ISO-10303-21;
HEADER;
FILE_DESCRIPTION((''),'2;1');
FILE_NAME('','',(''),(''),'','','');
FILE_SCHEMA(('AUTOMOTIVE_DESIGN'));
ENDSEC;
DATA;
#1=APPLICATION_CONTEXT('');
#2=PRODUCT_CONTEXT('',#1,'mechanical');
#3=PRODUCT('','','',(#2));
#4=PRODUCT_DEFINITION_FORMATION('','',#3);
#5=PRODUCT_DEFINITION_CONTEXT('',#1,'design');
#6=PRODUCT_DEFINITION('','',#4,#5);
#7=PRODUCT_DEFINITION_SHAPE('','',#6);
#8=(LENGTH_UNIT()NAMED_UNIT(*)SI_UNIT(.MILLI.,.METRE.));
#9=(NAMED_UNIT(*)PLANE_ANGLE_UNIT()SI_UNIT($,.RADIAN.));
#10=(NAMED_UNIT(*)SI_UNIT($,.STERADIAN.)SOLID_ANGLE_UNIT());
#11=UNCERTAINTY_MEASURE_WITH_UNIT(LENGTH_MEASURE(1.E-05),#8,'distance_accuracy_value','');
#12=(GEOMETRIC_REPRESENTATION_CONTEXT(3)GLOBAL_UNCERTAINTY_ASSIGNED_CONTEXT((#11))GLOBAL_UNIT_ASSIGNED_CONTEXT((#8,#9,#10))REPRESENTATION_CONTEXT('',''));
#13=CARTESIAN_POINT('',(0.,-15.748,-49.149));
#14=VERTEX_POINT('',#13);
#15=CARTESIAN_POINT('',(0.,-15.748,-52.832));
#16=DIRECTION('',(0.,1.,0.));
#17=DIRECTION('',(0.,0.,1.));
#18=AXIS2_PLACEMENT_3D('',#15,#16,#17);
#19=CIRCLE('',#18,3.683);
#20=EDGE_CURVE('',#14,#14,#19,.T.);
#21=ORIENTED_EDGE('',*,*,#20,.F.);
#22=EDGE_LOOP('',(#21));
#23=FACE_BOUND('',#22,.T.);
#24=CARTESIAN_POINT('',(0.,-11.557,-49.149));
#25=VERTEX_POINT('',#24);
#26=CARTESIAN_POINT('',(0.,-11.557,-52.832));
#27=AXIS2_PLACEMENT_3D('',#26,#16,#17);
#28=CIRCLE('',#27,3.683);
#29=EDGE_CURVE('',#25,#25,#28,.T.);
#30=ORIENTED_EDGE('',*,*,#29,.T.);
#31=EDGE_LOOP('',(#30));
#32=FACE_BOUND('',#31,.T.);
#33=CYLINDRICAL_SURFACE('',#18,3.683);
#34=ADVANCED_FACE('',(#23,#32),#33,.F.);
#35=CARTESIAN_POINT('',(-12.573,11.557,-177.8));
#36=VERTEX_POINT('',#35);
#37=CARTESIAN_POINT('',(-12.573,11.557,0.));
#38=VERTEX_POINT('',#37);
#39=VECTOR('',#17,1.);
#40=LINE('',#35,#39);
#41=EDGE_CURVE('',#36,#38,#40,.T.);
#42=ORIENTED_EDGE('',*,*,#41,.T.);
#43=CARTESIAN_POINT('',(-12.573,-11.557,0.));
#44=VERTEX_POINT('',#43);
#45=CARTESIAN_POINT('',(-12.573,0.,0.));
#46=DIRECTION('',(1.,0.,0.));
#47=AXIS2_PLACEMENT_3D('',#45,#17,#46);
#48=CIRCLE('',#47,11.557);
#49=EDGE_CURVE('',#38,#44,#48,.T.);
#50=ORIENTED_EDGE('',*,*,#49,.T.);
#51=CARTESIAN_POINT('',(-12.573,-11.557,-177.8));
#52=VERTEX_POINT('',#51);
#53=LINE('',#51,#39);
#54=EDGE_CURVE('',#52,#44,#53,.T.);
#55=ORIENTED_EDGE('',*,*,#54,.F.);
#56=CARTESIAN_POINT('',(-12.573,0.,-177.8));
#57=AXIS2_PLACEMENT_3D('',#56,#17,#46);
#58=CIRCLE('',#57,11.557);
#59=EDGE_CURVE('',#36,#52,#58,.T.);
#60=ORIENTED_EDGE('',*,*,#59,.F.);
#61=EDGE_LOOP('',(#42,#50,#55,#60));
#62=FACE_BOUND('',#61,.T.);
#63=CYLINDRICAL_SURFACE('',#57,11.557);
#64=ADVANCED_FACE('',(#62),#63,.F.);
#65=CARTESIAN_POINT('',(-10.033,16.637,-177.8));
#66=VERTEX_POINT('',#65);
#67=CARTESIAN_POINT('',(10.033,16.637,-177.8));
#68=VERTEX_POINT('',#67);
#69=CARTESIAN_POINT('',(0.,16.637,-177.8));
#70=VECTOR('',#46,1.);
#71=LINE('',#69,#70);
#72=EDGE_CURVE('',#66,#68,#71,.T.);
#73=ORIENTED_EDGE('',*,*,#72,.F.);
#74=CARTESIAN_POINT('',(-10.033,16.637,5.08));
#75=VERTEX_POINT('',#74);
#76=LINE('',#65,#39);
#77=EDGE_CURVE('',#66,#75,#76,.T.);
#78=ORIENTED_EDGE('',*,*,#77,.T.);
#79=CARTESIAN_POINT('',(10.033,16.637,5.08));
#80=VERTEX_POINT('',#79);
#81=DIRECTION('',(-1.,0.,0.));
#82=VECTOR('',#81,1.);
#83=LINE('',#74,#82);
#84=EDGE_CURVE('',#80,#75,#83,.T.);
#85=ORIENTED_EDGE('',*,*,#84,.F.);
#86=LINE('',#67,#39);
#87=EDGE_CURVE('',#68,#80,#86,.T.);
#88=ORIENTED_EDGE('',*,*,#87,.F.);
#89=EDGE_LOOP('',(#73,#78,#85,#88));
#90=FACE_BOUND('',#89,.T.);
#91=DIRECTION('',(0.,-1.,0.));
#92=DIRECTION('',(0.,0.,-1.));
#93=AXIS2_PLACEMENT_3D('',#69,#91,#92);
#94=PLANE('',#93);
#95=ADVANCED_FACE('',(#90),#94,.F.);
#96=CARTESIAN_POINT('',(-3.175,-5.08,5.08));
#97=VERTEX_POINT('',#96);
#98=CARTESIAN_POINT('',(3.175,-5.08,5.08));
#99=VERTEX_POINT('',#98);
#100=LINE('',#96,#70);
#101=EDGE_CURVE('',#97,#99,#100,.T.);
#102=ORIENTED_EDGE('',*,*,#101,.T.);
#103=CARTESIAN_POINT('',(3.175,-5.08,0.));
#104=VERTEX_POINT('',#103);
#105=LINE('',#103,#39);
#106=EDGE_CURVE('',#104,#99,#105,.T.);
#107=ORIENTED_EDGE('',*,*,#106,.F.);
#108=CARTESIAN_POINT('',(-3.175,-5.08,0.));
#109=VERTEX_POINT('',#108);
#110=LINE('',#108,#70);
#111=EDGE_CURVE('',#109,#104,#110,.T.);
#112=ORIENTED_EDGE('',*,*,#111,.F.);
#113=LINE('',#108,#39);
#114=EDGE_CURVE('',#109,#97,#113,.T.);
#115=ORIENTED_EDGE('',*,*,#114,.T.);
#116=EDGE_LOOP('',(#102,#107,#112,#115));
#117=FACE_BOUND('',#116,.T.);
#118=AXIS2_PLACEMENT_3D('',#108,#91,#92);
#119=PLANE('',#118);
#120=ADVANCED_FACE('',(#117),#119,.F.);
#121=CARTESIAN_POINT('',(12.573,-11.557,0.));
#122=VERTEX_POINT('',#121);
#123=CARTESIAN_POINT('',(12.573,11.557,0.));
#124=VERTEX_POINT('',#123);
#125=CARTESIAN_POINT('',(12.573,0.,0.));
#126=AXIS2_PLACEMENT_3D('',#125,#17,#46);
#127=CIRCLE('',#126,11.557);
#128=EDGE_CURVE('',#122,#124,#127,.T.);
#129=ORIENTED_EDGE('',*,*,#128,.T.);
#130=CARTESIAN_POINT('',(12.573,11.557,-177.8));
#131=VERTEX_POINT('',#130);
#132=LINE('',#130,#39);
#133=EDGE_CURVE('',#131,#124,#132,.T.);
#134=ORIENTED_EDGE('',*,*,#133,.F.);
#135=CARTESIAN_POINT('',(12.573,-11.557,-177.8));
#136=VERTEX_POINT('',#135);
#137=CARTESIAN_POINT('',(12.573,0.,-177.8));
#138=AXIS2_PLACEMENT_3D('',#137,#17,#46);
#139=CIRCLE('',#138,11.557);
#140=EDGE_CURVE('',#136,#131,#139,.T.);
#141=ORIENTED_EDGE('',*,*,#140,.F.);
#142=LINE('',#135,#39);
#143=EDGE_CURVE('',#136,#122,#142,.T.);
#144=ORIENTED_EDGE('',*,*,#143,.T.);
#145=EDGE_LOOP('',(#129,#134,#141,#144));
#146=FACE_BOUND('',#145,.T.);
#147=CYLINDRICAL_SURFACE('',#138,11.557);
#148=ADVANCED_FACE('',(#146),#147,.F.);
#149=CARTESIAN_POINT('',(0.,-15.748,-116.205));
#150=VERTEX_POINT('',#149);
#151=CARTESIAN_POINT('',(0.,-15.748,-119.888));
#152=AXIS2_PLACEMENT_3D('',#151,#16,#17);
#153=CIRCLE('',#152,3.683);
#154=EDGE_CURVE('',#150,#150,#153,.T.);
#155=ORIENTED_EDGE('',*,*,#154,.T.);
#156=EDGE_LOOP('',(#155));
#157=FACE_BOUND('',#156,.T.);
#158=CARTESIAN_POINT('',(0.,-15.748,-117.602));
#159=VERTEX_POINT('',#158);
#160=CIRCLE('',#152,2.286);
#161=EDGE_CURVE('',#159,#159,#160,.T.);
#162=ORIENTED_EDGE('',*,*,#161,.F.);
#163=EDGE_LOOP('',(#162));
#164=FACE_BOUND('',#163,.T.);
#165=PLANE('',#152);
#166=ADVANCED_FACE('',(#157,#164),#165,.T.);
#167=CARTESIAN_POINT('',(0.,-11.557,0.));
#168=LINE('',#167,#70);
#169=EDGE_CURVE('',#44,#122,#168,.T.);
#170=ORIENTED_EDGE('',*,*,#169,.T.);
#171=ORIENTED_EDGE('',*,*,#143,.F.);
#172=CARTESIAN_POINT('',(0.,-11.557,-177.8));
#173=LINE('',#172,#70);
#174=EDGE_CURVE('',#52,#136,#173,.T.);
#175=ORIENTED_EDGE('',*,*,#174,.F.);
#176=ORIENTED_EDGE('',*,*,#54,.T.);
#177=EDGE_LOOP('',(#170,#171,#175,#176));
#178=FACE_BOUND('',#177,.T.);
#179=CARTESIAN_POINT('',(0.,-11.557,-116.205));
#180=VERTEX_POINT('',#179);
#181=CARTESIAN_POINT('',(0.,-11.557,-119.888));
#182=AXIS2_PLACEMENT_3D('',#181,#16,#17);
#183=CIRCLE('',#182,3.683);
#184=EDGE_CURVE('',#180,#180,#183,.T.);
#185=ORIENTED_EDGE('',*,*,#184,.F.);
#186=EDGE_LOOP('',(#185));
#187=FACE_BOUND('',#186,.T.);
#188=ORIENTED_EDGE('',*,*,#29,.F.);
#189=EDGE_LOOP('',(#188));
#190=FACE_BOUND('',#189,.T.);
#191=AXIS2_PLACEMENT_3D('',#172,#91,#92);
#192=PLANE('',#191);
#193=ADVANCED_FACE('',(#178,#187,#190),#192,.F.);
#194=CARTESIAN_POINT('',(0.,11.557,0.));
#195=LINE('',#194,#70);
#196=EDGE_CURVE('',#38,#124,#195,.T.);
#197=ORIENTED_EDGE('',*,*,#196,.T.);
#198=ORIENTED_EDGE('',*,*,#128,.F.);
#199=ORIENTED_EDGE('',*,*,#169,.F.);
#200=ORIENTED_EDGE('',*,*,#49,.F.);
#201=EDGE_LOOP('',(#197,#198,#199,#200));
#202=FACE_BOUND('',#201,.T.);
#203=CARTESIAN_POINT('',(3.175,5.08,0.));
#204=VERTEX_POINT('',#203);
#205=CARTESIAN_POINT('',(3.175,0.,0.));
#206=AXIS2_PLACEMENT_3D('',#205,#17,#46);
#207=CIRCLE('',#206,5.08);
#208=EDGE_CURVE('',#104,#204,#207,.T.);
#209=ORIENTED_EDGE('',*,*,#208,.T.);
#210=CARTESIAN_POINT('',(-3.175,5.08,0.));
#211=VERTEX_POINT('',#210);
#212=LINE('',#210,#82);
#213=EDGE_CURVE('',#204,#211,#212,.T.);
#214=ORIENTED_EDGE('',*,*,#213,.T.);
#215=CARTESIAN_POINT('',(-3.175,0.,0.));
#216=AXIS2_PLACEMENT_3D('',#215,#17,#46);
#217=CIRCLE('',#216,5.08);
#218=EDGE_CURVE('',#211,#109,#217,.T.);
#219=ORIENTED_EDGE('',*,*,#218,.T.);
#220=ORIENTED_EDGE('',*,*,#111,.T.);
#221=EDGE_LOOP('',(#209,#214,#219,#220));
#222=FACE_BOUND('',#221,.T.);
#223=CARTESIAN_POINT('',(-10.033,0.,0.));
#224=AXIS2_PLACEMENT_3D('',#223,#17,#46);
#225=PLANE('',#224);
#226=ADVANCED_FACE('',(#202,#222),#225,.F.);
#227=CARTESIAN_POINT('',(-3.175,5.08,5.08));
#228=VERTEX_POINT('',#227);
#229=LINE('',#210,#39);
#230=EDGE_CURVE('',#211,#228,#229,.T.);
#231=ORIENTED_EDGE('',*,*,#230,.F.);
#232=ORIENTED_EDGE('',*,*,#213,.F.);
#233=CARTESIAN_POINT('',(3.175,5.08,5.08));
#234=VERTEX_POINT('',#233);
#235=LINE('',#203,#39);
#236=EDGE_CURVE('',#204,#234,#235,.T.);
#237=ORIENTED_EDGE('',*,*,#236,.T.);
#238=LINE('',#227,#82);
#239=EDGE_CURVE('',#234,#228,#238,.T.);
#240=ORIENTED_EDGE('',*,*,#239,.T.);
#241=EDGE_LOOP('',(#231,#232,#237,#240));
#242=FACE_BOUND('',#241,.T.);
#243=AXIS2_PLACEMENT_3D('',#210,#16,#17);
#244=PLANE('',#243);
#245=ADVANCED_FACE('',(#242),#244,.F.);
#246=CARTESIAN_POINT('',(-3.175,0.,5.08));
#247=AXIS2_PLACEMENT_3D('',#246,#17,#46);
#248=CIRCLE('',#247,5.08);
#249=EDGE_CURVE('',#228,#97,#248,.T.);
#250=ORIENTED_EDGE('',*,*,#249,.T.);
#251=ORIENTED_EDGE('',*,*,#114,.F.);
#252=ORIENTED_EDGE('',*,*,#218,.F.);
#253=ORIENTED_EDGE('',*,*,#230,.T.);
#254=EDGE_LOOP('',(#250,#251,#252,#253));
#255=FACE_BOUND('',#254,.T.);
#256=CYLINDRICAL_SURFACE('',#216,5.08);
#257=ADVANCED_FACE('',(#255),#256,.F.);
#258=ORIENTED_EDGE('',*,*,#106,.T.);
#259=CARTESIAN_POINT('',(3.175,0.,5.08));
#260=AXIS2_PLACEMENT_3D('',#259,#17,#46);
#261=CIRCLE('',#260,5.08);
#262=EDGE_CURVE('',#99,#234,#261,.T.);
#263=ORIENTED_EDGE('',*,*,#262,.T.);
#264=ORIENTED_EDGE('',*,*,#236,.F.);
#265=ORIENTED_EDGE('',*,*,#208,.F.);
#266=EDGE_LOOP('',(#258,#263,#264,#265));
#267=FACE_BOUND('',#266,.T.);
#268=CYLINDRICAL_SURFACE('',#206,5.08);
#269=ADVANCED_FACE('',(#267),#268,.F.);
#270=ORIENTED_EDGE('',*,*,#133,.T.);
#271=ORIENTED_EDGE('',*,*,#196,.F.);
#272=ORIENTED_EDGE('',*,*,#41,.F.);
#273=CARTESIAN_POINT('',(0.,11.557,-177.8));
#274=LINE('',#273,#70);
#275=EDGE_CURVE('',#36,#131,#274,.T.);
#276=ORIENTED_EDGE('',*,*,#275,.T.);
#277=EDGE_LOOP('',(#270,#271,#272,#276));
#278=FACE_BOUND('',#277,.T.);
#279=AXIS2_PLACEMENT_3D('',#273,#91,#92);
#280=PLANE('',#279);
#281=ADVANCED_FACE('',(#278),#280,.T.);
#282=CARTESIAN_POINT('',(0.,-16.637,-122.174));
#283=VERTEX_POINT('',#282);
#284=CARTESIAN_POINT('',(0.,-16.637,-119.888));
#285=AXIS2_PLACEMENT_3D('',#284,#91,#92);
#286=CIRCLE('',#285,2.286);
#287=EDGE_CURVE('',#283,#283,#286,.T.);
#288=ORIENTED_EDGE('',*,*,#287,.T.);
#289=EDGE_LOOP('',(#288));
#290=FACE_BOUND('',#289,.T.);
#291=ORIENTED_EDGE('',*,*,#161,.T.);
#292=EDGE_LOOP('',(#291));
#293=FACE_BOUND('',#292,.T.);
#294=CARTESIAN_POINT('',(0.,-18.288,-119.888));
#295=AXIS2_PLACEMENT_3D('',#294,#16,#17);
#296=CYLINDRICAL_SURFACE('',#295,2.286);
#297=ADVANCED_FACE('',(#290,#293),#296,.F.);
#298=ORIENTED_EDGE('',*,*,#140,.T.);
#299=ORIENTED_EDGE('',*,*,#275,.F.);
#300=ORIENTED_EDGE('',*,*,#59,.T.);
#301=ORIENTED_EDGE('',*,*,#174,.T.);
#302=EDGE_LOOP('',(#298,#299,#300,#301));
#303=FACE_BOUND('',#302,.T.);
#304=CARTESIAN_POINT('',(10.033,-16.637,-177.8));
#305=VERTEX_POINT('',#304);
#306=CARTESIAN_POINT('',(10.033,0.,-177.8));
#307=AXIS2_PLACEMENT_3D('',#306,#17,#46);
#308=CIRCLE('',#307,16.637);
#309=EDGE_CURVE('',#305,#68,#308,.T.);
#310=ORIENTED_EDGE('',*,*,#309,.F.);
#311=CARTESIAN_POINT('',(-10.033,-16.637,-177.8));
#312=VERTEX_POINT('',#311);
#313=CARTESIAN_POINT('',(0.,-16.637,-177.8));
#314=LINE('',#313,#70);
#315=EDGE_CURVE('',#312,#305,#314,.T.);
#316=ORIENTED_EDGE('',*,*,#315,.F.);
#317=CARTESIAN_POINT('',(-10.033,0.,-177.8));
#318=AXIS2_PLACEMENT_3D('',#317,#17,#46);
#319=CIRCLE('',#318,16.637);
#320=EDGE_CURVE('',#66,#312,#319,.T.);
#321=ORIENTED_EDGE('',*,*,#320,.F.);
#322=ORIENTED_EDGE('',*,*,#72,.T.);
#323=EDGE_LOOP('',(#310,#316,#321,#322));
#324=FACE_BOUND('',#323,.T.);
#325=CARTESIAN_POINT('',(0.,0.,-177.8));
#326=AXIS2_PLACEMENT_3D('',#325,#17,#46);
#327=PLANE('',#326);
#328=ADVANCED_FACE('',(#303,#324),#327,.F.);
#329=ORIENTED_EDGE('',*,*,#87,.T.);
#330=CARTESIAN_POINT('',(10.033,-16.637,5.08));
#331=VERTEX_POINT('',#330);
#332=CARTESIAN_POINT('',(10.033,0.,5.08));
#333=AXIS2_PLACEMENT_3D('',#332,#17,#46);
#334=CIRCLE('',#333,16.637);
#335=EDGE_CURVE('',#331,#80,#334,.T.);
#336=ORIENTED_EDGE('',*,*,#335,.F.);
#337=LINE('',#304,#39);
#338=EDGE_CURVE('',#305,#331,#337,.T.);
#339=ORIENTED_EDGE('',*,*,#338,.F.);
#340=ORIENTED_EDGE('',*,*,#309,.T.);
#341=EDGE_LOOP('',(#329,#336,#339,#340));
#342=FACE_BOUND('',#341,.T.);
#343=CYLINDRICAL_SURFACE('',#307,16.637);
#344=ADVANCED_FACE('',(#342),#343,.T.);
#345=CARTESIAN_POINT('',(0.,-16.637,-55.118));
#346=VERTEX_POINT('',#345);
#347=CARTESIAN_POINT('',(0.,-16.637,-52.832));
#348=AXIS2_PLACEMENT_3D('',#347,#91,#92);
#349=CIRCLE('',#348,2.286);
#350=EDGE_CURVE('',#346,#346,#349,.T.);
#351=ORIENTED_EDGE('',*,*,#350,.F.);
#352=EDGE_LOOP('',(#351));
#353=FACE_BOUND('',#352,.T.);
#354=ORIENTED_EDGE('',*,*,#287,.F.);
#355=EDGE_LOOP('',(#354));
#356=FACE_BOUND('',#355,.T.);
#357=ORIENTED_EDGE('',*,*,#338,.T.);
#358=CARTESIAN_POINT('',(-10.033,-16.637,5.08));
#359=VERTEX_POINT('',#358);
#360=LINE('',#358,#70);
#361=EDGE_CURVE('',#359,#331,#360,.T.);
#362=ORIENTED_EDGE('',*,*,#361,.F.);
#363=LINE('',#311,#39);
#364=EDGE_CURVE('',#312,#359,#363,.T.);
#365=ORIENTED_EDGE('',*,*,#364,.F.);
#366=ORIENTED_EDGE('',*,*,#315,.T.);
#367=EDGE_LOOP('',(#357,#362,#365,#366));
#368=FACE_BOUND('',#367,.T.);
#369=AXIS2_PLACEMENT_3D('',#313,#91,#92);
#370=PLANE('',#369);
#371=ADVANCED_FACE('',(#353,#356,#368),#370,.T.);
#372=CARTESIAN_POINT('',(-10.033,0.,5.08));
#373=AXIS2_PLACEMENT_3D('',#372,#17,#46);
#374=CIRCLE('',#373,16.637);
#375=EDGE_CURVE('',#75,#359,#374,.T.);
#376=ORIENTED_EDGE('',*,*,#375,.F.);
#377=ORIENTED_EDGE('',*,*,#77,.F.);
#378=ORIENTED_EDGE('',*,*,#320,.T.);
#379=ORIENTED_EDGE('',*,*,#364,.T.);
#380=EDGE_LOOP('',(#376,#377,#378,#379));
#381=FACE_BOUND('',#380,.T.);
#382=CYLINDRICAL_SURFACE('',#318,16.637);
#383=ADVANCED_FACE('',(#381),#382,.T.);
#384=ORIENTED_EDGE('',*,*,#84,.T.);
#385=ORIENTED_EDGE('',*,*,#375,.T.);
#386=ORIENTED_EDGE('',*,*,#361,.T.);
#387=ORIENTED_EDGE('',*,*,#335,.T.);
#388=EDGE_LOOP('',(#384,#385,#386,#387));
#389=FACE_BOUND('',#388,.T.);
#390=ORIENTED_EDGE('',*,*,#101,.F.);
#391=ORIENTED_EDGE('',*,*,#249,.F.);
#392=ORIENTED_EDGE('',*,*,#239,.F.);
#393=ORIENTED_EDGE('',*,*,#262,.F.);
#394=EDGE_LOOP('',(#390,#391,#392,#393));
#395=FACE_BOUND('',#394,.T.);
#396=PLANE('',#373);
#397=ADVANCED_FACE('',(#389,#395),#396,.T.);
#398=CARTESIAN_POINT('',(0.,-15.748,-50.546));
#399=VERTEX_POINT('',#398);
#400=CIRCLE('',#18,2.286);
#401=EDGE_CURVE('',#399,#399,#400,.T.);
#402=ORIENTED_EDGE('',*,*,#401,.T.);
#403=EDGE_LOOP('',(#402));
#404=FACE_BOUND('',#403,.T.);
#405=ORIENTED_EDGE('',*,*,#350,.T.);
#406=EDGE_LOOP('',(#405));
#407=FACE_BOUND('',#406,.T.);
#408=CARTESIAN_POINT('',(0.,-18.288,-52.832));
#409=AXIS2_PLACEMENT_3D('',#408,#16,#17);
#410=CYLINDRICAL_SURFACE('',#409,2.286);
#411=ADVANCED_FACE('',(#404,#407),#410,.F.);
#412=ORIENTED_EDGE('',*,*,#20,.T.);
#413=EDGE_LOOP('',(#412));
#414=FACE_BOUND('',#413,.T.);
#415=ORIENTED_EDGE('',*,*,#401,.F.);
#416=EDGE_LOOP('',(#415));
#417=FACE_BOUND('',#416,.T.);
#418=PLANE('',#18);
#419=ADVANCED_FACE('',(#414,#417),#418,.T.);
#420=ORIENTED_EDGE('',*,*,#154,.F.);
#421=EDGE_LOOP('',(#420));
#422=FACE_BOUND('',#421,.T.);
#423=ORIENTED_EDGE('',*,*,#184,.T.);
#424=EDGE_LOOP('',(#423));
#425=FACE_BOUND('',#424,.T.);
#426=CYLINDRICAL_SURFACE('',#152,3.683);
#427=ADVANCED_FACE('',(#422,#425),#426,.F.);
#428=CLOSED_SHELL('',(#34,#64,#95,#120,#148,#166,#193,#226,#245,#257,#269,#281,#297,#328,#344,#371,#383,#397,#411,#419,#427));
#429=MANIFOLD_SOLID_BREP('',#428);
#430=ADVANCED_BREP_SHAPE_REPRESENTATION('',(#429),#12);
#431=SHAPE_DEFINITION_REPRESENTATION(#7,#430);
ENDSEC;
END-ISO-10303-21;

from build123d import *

# Parameters (mm, degrees)
BOSS_EXTRUDE1_DEPTH = 177.8
BOSS_EXTRUDE2_DEPTH = 5.08
SKETCH5_R           = 3.683
CUT_EXTRUDE2_DEPTH  = 4.191
SKETCH6_R           = 2.286
CUT_EXTRUDE3_DEPTH  = 6.731
CUT_EXTRUDE5_DEPTH  = 5.08


with BuildPart() as part:
    # Sketch1 → Boss-Extrude1 (new body)
    with BuildSketch(Plane.XY):
        with BuildLine():
            ThreePointArc((-24.13, 0), (-20.74503307, 8.17203307), (-12.573, 11.557))
            Line((-12.573, 11.557), (12.573, 11.557))
            ThreePointArc((12.573, 11.557), (20.74503307, 8.17203307), (24.13, 0))
            Line((24.13, 0), (26.67, 0))
            ThreePointArc((26.67, 0), (21.797135519, 11.764135519), (10.033, 16.637))
            Line((10.033, 16.637), (-10.033, 16.637))
            ThreePointArc((-10.033, 16.637), (-21.797135519, 11.764135519), (-26.67, 0))
            Line((-26.67, 0), (-24.13, 0))
        make_face()
        with BuildLine():
            ThreePointArc((-12.573, -11.557), (-20.74503307, -8.17203307), (-24.13, 0))
            Line((-24.13, 0), (-26.67, 0))
            ThreePointArc((-26.67, 0), (-21.797135519, -11.764135519), (-10.033, -16.637))
            Line((-10.033, -16.637), (10.033, -16.637))
            ThreePointArc((10.033, -16.637), (21.797135519, -11.764135519), (26.67, 0))
            Line((26.67, 0), (24.13, 0))
            ThreePointArc((24.13, 0), (20.74503307, -8.17203307), (12.573, -11.557))
            Line((12.573, -11.557), (-12.573, -11.557))
        make_face()
    extrude(amount=-BOSS_EXTRUDE1_DEPTH)

    # Sketch3 → Boss-Extrude2 (add)
    with BuildSketch(Plane.XY):
        with BuildLine():
            Line((-10.033, 16.637), (10.033, 16.637))
            ThreePointArc((10.033, 16.637), (26.67, 0), (10.033, -16.637))
            Line((10.033, -16.637), (-10.033, -16.637))
            ThreePointArc((-10.033, -16.637), (-26.67, 0), (-10.033, 16.637))
        make_face()
    extrude(amount=BOSS_EXTRUDE2_DEPTH)

    # Sketch5 → Cut-Extrude2 (cut)
    with BuildSketch(Plane(origin=(0, -11.557, 0), x_dir=(1, 0, 0), z_dir=(0, 1, 0))):
        with Locations((0, 119.888)):
            Circle(SKETCH5_R)
        with Locations((0, 52.832)):
            Circle(SKETCH5_R)
    extrude(amount=-CUT_EXTRUDE2_DEPTH, mode=Mode.SUBTRACT)

    # Sketch6 → Cut-Extrude3 (cut)
    with BuildSketch(Plane(origin=(0, -11.557, 0), x_dir=(1, 0, 0), z_dir=(0, 1, 0))):
        with Locations((0, 119.888)):
            Circle(SKETCH6_R)
        with Locations((0, 52.832)):
            Circle(SKETCH6_R)
    extrude(amount=-CUT_EXTRUDE3_DEPTH, mode=Mode.SUBTRACT)

    # Sketch7 → Cut-Extrude5 (cut)
    with BuildSketch(Plane.XY.offset(5.08)):
        with BuildLine():
            Line((-3.175, 5.08), (3.175, 5.08))
            ThreePointArc((3.175, 5.08), (8.255, 0), (3.175, -5.08))
            Line((3.175, -5.08), (-3.175, -5.08))
            ThreePointArc((-3.175, -5.08), (-8.255, 0), (-3.175, 5.08))
        make_face()
    extrude(amount=-CUT_EXTRUDE5_DEPTH, mode=Mode.SUBTRACT)


solid = part.part
